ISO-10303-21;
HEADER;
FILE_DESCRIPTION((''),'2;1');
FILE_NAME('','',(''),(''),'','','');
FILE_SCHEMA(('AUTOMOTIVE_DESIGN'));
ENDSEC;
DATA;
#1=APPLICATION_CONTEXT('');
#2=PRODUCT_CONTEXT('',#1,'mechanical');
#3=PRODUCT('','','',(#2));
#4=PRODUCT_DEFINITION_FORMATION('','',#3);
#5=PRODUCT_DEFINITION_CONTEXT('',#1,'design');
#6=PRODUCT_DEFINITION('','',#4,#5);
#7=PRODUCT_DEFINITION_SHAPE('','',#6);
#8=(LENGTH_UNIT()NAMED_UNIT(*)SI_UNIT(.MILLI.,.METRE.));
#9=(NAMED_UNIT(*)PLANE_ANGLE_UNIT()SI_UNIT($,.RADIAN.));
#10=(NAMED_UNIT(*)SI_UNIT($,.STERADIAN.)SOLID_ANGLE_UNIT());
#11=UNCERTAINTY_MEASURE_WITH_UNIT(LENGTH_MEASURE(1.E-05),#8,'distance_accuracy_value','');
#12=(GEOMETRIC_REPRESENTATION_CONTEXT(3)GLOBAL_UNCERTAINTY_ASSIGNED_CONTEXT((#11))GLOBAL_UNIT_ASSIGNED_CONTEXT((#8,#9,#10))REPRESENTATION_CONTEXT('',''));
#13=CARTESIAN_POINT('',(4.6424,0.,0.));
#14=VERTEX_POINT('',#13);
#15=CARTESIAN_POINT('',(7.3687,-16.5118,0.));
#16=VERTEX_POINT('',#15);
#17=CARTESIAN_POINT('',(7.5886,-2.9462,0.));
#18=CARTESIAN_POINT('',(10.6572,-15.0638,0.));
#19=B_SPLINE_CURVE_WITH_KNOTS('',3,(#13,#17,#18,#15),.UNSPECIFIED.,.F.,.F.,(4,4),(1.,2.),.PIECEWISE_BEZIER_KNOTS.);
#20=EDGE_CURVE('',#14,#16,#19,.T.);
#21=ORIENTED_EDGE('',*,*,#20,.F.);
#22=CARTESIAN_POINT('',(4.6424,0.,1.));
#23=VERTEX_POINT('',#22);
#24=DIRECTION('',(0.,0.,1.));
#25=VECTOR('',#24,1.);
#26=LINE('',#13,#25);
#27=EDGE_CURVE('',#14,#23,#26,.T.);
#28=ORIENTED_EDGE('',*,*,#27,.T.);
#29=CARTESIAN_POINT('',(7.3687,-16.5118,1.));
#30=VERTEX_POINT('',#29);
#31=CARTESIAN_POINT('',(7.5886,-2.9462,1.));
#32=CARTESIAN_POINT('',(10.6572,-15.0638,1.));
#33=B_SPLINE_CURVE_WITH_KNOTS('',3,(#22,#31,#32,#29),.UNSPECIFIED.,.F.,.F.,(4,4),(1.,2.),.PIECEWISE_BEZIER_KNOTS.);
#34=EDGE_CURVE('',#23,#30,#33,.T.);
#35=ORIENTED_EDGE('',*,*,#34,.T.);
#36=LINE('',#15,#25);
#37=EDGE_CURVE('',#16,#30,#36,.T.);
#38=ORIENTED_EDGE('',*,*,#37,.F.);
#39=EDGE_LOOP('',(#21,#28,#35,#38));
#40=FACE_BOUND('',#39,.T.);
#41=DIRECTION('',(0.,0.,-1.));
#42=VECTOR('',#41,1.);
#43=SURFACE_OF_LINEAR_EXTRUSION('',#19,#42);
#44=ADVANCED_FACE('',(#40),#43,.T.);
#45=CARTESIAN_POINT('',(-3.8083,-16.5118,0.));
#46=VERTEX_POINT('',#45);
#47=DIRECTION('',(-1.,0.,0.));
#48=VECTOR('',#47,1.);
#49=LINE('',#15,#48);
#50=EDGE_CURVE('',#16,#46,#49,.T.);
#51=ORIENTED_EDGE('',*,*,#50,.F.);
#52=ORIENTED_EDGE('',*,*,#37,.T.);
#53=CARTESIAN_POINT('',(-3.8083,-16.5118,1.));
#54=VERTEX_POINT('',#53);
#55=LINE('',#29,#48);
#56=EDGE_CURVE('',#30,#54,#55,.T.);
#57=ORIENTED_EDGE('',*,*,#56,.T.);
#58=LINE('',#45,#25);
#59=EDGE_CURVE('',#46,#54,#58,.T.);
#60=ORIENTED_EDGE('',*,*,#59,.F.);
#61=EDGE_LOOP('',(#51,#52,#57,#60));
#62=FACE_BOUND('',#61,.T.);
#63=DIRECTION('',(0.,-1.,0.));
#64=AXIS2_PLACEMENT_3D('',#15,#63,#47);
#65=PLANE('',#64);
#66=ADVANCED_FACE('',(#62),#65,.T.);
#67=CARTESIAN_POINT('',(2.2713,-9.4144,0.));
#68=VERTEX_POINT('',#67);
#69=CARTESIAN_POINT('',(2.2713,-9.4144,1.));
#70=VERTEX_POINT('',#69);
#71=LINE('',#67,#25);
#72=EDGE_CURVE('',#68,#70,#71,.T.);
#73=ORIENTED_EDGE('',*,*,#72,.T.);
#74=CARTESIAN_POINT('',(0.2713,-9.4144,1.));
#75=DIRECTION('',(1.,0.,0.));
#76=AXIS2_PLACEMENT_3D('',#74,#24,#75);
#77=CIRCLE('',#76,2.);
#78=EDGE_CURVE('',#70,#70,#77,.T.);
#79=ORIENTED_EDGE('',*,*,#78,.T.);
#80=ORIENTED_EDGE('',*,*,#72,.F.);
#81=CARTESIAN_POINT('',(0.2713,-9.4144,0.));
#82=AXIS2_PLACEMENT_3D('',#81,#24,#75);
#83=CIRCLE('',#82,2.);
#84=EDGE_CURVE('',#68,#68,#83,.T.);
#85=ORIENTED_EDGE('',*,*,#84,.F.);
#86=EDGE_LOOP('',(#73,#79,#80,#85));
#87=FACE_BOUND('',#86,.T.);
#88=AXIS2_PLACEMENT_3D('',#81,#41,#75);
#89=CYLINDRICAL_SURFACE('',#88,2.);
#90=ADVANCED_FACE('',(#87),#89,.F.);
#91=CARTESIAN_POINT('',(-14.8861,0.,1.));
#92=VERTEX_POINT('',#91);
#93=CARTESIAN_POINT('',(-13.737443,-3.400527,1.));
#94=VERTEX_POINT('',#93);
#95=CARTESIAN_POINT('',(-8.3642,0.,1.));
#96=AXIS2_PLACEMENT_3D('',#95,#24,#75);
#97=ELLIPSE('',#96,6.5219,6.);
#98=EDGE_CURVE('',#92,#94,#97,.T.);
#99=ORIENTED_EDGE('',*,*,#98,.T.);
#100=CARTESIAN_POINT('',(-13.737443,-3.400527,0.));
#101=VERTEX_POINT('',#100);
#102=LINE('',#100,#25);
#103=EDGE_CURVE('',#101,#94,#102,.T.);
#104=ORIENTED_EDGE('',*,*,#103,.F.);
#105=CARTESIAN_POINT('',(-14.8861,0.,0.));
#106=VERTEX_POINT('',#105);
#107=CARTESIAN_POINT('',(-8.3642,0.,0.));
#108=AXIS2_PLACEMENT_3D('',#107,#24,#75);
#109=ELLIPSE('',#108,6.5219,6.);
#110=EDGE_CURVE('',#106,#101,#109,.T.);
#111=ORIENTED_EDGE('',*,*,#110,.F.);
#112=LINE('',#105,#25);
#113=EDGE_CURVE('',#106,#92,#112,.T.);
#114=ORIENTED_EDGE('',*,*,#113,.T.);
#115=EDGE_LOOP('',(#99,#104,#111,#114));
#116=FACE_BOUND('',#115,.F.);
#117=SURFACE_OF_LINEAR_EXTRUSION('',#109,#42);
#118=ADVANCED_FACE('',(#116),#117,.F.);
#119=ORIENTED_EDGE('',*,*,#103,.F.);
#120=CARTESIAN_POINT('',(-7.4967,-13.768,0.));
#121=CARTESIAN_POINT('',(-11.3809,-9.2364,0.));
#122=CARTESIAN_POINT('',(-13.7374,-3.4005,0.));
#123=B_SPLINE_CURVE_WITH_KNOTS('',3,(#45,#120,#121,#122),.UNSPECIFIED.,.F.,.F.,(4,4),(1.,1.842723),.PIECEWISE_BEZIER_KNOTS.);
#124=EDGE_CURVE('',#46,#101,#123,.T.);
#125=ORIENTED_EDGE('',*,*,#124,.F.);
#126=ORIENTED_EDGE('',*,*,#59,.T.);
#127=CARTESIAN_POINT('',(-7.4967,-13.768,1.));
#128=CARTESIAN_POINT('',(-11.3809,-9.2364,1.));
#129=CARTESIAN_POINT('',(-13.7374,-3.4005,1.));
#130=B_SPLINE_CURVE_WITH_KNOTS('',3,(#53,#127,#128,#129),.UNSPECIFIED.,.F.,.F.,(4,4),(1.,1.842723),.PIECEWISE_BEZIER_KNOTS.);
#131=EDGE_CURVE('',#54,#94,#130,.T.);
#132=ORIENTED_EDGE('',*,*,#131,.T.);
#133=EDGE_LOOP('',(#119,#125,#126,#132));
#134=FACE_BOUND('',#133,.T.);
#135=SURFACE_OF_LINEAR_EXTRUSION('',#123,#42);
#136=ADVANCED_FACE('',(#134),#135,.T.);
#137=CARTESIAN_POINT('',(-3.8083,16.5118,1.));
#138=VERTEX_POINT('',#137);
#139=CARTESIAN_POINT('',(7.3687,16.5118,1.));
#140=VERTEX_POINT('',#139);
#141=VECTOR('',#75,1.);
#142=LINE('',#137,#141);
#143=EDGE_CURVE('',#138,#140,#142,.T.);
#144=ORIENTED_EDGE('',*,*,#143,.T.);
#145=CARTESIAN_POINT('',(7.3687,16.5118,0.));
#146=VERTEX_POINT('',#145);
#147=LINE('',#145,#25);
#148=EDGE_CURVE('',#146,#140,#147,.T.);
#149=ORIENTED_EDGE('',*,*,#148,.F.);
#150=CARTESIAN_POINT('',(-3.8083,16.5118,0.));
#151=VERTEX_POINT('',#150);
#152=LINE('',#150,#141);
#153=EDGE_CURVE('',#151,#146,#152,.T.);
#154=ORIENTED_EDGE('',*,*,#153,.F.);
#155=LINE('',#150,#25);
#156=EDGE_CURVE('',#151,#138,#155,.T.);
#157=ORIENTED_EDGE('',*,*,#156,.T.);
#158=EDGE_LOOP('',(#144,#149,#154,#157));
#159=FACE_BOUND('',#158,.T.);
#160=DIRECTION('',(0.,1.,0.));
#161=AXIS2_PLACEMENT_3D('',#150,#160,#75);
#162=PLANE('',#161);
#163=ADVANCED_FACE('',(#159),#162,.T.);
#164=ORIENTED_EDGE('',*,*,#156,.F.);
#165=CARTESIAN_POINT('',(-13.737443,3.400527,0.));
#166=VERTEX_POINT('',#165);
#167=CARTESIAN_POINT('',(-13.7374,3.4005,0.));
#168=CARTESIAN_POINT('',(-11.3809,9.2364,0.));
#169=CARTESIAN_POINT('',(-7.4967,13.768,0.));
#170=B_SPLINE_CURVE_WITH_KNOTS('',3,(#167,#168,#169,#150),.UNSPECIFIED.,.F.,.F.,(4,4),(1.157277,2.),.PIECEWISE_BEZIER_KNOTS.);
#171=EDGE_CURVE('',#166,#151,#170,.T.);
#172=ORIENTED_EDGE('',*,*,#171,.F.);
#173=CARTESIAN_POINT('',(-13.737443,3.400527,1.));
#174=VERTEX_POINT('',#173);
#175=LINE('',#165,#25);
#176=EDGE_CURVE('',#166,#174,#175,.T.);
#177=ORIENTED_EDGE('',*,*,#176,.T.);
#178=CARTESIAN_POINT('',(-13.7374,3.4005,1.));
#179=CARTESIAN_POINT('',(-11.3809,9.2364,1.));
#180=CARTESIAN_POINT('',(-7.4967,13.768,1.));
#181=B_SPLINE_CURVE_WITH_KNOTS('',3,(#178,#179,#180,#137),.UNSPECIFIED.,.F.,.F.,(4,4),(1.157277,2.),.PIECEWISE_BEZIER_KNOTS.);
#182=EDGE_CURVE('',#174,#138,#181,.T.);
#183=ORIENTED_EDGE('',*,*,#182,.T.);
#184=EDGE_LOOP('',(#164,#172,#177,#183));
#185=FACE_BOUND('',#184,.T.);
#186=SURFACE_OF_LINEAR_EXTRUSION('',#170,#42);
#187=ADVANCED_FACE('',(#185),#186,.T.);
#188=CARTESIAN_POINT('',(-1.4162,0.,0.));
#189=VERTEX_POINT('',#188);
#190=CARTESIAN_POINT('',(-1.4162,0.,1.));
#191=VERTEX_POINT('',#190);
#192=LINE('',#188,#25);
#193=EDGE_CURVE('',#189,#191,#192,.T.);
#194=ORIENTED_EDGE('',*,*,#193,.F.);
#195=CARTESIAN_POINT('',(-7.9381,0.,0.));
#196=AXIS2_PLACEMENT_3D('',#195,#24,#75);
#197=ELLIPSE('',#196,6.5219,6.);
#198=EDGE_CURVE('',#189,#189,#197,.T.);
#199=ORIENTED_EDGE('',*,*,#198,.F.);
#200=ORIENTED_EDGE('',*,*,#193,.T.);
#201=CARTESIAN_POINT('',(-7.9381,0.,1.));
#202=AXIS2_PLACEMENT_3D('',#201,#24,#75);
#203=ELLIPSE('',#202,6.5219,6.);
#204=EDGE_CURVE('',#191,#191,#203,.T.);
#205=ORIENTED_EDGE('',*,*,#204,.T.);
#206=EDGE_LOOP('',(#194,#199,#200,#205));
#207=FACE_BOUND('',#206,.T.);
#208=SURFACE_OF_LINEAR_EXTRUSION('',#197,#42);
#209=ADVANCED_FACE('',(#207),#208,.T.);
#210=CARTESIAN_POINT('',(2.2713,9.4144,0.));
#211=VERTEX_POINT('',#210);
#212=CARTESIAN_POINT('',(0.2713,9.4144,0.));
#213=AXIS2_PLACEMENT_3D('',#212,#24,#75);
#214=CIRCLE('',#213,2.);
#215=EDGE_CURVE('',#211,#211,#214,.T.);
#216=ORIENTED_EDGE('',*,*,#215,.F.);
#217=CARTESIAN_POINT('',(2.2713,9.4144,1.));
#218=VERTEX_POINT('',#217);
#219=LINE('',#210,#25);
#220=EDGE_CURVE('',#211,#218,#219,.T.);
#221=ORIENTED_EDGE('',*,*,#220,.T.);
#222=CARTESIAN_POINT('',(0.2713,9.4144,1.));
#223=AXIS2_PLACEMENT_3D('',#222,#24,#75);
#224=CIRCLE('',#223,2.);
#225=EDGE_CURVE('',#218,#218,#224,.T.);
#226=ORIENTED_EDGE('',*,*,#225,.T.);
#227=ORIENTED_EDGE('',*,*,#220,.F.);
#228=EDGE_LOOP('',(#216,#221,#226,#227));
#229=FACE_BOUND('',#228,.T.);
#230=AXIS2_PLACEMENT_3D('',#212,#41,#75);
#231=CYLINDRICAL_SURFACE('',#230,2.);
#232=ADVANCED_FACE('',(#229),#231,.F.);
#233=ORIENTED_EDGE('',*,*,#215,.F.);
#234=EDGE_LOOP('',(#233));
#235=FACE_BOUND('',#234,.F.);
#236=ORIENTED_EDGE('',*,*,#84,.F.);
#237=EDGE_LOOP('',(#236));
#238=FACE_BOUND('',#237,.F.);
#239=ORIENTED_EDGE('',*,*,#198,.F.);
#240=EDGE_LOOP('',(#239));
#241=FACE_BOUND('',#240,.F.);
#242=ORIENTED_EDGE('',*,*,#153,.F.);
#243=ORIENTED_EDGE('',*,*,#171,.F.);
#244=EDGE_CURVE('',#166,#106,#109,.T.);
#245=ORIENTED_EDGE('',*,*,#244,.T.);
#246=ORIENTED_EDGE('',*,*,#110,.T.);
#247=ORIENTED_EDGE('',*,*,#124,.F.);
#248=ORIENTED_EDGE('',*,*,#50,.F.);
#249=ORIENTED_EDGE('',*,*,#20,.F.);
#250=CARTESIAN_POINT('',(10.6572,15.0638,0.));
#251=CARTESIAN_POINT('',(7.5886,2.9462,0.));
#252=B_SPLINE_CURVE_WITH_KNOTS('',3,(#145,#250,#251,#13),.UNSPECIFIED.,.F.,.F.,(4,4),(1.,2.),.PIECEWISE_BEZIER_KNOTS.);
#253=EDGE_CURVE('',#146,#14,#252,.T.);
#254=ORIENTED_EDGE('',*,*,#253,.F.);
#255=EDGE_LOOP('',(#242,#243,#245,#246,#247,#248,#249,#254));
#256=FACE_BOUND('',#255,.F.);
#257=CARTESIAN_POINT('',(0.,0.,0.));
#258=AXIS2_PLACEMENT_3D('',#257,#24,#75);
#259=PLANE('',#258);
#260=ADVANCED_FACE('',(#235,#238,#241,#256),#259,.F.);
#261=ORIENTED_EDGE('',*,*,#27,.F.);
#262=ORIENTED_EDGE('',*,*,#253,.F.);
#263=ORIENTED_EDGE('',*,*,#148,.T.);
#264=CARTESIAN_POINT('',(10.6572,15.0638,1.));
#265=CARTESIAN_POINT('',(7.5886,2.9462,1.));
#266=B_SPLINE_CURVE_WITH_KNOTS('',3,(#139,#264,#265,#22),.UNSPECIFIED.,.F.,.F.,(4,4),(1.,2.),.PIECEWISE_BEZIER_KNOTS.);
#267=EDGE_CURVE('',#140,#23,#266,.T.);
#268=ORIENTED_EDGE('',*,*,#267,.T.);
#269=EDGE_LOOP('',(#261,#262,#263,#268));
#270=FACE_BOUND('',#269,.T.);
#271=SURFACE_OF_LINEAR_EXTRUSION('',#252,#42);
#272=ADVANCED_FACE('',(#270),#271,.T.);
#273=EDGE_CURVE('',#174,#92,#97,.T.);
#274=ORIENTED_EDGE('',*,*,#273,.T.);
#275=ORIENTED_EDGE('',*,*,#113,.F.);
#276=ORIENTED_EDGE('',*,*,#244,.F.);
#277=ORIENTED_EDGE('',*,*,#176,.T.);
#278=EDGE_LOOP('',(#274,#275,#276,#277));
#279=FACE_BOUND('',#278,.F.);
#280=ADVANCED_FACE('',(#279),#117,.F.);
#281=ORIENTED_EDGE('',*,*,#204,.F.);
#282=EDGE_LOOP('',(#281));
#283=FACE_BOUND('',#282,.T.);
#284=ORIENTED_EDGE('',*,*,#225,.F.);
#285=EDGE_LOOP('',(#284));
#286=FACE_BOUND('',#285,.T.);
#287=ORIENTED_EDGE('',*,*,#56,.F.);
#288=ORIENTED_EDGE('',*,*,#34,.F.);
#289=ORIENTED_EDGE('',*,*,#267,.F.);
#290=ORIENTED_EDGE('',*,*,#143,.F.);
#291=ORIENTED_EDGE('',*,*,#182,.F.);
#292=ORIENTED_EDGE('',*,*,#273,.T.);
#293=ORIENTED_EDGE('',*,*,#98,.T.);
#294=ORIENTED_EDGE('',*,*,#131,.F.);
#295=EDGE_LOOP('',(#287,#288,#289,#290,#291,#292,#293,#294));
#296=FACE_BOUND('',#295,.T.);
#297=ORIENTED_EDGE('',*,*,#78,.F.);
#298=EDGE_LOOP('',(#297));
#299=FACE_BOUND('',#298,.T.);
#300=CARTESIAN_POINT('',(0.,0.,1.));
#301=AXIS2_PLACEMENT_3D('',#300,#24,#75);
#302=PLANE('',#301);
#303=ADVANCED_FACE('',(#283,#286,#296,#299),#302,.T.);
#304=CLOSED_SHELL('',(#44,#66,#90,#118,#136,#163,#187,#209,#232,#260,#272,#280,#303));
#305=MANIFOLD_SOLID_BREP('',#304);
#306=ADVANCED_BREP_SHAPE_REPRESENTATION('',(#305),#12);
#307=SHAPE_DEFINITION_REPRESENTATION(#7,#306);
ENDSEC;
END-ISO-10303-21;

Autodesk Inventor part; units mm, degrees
ref_plane "YZ Plane" through (0, 0, 0) normal (1, 0, 0) x (0, 1, 0)
ref_plane "XZ Plane" through (0, 0, 0) normal (0, 1, 0) x (-1, 0, 0)
ref_plane "XY Plane" through (0, 0, 0) normal (0, 0, 1) x (1, 0, 0)
sketch "Szkic1" plane through (0, 0, 0) normal (0, 0, 1) x (1, 0, 0)
  circle A0 centre (0.2713, 9.4144) radius 2 projected
  circle A1 centre (0.2713, -9.4144) radius 2 projected
  ellipse E0 centre (-8.3642, 0) end of major axis (-1.8423, 0) minor radius 6 (-14.886, 0) -> (-13.7374, -3.4005) ccw projected
  spline S0 degree 3 poles (-3.8083, -16.5118) (-7.4967, -13.768) (-11.3809, -9.2364) (-13.7374, -3.4005) knots 1 1 1 1 1.842723 1.842723 1.842723 1.842723 projected
  line L0 (7.3687, -16.5118) -> (-3.8083, -16.5118) projected
  spline S1 degree 3 poles (4.6424, 0) (7.5886, -2.9462) (10.6572, -15.0638) (7.3687, -16.5118) knots 1 1 1 1 2 2 2 2 projected
  spline S2 degree 3 poles (7.3687, 16.5118) (10.6572, 15.0638) (7.5886, 2.9462) (4.6424, 0) knots 1 1 1 1 2 2 2 2 projected
  line L1 (-3.8083, 16.5118) -> (7.3687, 16.5118) projected
  spline S3 degree 3 poles (-13.7374, 3.4005) (-11.3809, 9.2364) (-7.4967, 13.768) (-3.8083, 16.5118) knots 1.157277 1.157277 1.157277 1.157277 2 2 2 2 projected
  ellipse E1 centre (-8.3642, 0) end of major axis (-1.8423, 0) minor radius 6 (-13.7374, 3.4005) -> (-14.886, 0) ccw projected
  ellipse E2 centre (-7.9381, 0) end of major axis (-1.4162, 0) minor radius 6 projected
  point P0 (0, 0)
extrude "Wyciągnięcie proste1" add sketch "Szkic1" along normal blind 1
properties part number "mocowanie_podwozia_gora"
